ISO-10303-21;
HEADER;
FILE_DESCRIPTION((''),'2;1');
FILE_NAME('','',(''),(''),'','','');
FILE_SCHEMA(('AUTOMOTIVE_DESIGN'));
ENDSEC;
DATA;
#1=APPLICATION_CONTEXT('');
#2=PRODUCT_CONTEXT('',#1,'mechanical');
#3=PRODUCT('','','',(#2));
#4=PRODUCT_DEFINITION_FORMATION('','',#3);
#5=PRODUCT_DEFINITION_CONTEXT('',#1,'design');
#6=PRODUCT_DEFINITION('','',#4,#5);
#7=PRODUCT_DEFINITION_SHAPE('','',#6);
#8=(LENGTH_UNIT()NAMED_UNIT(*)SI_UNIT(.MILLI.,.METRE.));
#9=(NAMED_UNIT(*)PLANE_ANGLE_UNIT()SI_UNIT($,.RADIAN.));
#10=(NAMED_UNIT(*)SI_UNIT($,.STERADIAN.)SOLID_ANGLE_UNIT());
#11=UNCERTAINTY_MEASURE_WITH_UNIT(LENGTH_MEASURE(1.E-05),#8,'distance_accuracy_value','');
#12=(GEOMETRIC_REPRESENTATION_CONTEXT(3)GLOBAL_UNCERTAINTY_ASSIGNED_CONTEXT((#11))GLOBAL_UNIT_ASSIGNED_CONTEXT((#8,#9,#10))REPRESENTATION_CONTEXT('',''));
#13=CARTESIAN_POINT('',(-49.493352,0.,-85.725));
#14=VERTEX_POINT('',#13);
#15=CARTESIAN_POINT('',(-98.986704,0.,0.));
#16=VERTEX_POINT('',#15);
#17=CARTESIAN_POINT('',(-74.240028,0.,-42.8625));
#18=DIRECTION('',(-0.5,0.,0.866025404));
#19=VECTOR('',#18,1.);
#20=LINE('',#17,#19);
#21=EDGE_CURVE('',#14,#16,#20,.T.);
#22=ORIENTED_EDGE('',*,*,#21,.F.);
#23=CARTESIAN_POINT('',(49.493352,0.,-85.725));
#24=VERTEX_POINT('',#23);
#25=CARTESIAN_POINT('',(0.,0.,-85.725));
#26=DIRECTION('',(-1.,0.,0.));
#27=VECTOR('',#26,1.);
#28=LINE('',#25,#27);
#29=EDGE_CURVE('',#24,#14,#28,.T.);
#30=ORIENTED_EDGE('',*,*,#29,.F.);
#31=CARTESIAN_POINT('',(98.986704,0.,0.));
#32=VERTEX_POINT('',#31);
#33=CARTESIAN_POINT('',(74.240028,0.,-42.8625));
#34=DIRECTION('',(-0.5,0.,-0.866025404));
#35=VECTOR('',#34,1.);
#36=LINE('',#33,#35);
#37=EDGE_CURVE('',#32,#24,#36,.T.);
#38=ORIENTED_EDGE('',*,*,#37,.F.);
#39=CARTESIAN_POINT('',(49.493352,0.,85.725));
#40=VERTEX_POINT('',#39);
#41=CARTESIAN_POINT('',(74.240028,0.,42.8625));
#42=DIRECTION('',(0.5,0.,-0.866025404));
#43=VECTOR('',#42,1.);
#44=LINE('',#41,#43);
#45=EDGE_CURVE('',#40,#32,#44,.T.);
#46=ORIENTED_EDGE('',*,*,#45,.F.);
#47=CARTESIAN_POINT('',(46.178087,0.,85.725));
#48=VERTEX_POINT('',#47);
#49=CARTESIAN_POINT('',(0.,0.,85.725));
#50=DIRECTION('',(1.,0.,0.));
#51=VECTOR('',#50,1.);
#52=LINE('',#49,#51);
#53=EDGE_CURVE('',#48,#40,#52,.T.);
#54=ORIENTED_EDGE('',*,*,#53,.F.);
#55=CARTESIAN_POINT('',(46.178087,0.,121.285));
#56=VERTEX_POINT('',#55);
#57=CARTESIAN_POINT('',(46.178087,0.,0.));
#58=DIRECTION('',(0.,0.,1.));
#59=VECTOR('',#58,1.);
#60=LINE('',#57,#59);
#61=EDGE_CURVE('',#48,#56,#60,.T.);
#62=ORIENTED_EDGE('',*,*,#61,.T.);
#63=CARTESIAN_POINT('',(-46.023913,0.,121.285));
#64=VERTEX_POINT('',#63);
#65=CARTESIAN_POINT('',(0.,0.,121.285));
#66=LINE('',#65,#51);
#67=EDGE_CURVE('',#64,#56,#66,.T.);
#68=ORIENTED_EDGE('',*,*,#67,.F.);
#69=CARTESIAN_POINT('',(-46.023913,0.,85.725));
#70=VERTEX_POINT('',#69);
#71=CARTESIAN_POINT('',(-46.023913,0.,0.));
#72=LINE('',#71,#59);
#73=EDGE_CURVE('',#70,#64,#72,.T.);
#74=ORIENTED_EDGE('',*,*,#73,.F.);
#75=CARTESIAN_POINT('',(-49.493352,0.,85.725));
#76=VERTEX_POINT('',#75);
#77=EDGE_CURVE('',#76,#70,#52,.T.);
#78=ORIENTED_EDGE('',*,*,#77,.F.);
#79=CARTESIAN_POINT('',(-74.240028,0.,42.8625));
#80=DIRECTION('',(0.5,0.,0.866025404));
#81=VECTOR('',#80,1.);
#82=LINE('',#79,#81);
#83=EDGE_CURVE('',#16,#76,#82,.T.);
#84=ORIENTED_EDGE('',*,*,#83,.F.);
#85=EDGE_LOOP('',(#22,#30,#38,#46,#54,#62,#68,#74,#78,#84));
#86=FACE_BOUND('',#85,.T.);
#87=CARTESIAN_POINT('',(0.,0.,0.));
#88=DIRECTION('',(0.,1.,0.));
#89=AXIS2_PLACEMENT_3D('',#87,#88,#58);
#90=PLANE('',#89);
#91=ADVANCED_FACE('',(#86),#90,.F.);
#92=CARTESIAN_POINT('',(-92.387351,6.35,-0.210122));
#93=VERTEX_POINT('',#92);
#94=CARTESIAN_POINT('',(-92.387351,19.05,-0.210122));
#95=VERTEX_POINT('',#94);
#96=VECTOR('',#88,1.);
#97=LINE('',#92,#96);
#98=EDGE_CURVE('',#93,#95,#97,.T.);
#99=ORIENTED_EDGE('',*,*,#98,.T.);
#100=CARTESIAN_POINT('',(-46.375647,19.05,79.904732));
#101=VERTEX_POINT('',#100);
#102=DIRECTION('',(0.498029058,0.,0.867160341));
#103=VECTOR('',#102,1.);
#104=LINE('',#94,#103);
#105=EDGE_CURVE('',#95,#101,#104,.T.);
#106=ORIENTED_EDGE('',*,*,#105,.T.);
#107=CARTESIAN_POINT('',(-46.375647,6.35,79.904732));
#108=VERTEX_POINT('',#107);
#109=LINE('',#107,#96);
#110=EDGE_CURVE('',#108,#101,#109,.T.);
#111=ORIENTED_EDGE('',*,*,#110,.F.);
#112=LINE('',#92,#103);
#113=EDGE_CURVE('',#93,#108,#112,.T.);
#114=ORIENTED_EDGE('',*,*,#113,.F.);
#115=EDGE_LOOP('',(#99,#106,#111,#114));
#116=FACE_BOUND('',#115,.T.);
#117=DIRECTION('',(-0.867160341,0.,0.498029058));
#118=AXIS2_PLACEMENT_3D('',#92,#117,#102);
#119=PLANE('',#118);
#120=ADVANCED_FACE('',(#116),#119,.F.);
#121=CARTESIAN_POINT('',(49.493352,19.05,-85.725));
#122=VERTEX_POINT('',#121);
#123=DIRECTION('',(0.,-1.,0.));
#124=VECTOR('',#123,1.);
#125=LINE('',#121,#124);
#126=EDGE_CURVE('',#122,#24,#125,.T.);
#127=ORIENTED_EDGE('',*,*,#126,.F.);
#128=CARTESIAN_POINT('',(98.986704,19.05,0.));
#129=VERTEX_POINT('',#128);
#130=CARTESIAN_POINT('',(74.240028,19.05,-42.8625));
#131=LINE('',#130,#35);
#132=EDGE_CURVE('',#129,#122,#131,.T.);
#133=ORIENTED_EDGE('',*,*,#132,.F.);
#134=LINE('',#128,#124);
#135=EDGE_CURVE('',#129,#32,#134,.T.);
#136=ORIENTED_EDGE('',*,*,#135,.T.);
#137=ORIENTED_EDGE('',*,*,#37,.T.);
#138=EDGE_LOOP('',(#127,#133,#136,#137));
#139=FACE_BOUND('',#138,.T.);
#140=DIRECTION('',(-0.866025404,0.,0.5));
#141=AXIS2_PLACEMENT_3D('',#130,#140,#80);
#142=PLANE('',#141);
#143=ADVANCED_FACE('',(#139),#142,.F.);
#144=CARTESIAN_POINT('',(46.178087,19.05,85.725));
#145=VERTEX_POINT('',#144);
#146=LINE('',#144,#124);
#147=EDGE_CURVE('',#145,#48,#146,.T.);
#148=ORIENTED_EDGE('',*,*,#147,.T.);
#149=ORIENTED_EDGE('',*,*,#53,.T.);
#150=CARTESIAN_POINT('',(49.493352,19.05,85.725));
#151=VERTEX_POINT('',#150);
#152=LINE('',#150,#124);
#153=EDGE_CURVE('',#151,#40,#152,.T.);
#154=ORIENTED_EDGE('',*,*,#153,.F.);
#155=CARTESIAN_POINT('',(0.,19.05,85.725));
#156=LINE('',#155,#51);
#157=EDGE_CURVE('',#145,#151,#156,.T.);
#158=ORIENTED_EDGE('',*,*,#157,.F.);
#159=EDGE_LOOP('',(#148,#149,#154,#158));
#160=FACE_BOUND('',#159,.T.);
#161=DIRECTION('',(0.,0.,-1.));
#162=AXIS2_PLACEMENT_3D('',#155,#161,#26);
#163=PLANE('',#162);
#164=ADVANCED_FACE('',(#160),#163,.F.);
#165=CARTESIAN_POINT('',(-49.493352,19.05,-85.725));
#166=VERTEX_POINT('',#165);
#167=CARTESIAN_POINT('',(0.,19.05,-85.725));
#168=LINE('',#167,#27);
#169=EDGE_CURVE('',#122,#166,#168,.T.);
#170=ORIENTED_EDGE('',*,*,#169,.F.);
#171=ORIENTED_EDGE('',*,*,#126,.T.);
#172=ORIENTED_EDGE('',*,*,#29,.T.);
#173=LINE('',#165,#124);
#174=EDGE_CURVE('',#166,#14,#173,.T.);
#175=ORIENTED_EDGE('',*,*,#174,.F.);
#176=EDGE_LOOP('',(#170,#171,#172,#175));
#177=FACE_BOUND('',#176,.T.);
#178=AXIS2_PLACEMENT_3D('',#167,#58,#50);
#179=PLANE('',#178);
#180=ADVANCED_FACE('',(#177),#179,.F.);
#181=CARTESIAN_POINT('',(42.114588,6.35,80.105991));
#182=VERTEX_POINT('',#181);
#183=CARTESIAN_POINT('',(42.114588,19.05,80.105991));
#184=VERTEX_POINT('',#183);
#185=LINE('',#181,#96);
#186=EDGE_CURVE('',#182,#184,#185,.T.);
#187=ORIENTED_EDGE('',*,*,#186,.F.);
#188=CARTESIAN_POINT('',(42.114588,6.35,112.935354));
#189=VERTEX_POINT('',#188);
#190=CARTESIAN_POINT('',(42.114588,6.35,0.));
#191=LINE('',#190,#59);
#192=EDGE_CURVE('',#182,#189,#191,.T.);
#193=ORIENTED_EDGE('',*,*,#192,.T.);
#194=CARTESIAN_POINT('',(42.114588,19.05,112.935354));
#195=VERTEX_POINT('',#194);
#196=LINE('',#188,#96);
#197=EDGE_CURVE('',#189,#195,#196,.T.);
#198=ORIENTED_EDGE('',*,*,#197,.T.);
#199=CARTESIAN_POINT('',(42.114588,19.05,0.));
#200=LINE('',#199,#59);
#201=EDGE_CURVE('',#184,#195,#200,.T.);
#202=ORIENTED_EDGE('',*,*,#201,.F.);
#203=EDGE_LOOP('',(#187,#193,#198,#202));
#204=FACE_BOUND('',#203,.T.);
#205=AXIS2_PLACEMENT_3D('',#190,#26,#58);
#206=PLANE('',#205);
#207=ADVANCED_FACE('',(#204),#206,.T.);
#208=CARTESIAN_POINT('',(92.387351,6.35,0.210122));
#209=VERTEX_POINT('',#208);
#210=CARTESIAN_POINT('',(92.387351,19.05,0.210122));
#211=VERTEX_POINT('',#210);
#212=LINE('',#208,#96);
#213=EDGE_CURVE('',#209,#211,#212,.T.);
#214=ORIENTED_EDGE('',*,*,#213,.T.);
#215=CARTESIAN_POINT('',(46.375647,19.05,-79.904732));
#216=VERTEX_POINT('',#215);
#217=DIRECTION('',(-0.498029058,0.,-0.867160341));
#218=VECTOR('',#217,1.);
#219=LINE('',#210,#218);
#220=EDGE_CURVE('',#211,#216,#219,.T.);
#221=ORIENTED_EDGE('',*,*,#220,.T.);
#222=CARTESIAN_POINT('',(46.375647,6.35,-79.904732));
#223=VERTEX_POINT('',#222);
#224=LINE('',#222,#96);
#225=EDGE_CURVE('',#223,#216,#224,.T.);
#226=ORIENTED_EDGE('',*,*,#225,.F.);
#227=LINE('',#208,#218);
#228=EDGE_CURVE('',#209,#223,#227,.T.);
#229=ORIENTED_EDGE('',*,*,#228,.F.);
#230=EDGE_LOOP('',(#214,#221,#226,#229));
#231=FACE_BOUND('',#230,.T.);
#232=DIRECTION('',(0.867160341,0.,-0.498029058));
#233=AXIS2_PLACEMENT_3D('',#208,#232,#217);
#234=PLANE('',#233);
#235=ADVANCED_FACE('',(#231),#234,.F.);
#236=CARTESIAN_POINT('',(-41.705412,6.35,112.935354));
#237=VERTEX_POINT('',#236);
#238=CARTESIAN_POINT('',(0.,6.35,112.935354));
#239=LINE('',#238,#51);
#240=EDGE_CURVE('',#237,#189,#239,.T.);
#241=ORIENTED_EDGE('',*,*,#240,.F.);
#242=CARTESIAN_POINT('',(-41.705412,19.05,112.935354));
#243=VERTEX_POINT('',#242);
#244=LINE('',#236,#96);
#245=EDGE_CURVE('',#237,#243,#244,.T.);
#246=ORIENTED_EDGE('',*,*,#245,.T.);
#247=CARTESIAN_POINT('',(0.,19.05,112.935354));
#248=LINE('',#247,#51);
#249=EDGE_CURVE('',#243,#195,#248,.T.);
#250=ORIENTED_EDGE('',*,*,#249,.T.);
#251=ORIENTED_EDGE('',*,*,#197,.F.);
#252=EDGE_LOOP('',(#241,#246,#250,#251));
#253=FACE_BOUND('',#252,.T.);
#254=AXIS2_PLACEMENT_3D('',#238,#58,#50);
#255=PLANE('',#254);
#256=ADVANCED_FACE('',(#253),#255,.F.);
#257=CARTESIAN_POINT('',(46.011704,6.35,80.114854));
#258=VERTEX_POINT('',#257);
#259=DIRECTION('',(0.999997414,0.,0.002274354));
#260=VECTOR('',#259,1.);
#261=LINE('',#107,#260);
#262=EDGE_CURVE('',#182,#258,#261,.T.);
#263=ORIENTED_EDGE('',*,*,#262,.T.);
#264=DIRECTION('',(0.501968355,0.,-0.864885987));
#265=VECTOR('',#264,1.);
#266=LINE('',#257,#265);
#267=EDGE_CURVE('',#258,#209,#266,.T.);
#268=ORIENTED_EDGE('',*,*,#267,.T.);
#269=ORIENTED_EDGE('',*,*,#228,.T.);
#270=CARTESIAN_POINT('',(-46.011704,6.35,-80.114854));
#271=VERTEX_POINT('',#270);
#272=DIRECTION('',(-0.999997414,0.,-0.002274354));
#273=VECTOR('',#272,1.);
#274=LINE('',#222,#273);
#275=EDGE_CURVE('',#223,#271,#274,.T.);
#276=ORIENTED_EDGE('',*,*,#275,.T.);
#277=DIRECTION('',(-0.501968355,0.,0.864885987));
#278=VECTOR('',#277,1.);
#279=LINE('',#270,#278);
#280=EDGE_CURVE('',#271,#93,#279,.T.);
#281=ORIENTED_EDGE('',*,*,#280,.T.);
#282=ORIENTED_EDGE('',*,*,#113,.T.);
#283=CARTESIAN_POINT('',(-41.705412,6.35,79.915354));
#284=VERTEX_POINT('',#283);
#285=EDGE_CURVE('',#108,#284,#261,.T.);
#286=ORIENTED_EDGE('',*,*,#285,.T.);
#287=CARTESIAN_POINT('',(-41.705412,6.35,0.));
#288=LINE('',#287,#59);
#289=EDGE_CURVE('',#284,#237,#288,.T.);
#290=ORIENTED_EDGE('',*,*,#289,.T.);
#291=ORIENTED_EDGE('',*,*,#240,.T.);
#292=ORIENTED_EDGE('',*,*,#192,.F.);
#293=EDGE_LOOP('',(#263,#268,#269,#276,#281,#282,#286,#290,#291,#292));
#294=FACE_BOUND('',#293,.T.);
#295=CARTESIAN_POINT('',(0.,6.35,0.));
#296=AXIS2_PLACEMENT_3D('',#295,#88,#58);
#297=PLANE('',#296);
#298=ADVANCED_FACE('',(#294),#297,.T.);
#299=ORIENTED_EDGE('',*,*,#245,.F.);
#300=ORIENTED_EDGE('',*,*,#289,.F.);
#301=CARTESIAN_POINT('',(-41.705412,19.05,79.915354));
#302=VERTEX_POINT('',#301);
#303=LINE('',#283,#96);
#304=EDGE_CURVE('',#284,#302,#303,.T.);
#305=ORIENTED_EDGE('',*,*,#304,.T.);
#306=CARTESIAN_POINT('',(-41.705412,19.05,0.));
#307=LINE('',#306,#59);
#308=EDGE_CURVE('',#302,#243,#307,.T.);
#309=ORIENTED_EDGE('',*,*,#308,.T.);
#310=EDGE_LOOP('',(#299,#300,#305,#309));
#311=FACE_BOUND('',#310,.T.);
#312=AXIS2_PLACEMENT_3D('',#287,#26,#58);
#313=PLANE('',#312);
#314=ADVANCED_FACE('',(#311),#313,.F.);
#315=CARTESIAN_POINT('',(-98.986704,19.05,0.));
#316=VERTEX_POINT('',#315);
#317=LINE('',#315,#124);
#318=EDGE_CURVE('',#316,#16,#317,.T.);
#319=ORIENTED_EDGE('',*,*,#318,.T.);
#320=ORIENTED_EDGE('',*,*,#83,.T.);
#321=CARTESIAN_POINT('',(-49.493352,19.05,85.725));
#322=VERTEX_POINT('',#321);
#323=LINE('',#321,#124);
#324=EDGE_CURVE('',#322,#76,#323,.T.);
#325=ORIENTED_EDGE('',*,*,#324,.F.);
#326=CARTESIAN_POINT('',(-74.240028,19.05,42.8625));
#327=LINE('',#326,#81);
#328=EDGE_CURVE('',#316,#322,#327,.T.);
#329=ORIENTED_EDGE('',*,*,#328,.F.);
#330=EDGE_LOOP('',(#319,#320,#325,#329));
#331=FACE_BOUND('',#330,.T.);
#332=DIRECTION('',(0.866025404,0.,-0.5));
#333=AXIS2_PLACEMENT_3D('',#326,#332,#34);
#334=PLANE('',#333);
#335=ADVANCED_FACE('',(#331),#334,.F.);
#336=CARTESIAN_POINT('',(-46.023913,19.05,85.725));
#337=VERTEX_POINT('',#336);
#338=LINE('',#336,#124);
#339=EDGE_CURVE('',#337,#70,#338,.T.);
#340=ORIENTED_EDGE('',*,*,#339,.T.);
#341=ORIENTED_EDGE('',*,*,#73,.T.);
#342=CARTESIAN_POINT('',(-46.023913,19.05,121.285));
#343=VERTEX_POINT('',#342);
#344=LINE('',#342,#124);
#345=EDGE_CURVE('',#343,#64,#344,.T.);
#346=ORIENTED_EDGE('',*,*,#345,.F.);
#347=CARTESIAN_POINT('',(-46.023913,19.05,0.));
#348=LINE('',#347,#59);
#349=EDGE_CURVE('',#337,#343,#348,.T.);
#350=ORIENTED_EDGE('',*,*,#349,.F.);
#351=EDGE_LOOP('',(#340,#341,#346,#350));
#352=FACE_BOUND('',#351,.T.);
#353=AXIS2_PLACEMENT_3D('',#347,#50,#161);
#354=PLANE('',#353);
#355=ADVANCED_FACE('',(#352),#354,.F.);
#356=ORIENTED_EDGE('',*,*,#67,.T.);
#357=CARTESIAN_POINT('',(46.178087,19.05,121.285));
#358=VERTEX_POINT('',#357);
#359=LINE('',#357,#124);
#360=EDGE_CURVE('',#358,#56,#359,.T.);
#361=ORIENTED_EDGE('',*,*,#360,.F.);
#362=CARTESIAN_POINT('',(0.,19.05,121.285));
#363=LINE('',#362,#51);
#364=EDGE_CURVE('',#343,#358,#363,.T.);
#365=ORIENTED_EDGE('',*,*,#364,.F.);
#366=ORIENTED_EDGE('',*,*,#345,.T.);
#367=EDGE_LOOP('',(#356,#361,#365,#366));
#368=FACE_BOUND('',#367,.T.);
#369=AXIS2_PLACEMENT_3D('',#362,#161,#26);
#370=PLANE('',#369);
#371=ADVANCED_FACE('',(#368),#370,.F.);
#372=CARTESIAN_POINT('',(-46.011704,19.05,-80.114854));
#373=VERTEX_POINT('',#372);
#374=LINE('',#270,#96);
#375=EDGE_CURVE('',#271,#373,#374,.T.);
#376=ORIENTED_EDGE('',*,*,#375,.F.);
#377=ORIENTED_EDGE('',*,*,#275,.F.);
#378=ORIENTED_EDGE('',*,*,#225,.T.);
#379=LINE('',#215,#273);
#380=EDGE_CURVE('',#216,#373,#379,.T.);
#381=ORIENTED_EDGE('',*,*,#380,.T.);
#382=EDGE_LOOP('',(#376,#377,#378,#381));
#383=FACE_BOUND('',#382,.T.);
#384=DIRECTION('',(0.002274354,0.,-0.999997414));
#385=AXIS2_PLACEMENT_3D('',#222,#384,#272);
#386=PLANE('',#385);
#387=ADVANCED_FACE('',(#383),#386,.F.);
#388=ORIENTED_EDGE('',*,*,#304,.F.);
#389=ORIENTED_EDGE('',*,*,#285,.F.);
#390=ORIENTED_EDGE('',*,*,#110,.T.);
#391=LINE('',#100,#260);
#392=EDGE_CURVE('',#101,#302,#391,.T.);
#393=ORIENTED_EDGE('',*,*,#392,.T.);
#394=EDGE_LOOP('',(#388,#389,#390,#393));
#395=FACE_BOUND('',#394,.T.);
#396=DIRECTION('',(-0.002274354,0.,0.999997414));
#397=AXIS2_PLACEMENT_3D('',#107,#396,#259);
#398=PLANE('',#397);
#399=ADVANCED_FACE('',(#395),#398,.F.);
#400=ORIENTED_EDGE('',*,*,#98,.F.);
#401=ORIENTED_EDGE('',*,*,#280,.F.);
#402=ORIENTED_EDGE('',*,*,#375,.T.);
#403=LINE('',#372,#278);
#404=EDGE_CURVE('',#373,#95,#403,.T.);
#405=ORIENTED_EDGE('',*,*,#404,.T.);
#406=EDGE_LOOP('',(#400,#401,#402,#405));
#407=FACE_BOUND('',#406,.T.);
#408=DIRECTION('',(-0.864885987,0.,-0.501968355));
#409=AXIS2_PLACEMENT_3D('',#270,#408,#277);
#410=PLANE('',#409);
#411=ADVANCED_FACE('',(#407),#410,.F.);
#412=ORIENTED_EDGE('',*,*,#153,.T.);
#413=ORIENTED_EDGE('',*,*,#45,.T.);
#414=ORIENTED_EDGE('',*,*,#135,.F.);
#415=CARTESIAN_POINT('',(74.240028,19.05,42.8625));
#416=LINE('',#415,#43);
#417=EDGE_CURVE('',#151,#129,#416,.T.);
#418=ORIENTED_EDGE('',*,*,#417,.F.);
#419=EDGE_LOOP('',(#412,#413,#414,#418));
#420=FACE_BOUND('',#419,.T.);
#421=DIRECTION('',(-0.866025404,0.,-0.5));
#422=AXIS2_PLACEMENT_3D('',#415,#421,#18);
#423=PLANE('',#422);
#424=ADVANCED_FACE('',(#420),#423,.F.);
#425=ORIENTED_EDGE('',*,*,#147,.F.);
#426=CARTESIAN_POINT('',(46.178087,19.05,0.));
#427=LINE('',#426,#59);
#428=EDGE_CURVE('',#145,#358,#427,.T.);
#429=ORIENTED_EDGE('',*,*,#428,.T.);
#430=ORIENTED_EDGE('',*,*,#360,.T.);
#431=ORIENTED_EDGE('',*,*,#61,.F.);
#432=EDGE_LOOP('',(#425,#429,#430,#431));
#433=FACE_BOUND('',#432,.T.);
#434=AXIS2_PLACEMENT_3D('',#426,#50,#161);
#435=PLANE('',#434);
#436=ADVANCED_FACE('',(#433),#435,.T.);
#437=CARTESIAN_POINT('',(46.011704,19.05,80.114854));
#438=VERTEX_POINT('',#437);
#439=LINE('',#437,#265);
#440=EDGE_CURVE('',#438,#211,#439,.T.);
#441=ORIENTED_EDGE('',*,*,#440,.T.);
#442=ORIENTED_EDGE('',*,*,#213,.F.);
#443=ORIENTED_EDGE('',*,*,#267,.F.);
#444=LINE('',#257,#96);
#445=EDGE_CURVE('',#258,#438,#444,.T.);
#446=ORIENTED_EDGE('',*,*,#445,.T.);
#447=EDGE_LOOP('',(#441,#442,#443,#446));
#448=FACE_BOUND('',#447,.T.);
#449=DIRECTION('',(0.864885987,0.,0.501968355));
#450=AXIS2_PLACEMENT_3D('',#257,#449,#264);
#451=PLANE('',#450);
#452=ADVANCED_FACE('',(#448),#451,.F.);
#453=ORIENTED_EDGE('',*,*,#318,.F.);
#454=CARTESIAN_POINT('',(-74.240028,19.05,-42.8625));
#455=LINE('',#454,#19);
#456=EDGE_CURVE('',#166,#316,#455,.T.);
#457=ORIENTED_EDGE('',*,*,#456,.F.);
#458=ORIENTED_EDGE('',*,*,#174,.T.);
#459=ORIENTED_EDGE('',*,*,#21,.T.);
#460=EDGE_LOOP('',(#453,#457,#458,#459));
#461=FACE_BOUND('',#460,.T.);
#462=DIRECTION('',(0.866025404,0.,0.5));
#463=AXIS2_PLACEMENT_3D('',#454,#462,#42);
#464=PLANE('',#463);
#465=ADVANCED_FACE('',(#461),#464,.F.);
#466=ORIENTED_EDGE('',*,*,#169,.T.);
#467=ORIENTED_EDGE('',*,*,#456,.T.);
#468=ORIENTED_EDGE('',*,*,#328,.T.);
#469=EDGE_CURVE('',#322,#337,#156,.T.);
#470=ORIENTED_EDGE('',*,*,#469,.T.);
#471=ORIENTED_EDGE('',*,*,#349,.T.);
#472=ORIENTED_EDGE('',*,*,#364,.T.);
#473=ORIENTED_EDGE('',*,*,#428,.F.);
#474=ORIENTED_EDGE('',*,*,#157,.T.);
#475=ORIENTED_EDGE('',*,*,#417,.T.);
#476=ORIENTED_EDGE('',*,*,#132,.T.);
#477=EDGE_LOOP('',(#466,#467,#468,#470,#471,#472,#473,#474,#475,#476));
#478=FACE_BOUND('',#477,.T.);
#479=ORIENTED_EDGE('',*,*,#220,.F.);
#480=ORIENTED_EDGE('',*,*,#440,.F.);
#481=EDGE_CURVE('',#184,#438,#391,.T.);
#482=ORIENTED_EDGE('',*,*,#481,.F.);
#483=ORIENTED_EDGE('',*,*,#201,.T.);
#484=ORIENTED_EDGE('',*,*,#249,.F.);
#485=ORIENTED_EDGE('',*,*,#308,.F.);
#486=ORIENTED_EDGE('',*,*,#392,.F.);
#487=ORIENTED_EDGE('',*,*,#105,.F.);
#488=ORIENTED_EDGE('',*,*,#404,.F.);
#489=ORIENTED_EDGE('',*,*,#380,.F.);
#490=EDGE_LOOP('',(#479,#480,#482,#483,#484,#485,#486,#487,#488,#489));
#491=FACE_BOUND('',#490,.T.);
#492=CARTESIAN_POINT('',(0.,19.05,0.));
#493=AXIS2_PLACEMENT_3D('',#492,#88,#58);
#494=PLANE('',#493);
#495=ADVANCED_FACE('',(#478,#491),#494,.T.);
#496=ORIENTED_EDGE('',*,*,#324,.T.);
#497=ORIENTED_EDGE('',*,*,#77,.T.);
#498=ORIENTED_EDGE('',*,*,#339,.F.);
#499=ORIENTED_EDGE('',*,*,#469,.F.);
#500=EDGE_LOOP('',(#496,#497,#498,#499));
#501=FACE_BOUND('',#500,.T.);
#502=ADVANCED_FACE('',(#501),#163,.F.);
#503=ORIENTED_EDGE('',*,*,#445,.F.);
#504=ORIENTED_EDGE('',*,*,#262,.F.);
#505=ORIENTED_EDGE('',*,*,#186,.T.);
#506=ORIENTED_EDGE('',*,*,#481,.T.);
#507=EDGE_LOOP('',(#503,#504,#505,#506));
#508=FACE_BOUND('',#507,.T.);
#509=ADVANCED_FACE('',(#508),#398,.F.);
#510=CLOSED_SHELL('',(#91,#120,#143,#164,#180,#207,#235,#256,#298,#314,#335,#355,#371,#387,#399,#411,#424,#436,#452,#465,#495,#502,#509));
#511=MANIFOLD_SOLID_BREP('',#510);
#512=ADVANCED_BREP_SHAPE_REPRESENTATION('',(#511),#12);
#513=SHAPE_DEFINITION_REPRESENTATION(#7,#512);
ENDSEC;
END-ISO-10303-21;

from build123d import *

# Parameters (mm, degrees)
SKETCH1_W           = 92.202
SKETCH1_H           = 35.56
BOSS_EXTRUDE3_DEPTH = 19.05
SKETCH4_W           = 83.82
SKETCH4_H           = 33.02
CUT_EXTRUDE1_DEPTH  = 12.7


with BuildPart() as part:
    # Sketch1 → Boss-Extrude3 (new body)
    with BuildSketch(Plane(origin=(0, 0, 0), x_dir=(1, 0, 0), z_dir=(0, 1, 0))):
        Polygon((-49.493351826, -85.725), (49.493351826, -85.725), (98.986703653, 0), (49.493351826, 85.725), (-49.493351826, 85.725), (-98.986703653, 0), align=None)
        with Locations((0.077086569, -103.505)):
            Rectangle(SKETCH1_W, SKETCH1_H)
    extrude(amount=BOSS_EXTRUDE3_DEPTH)

    # Sketch4 → Cut-Extrude1 (cut)
    with BuildSketch(Plane(origin=(0, 19.05, 0), x_dir=(1, 0, 0), z_dir=(0, 1, 0))):
        Polygon((46.011704472, -80.114854126), (92.387351129, -0.210122118), (46.375646657, 79.904732007), (-46.011704472, 80.114854126), (-92.387351129, 0.210122118), (-46.375646657, -79.904732007), align=None)
        with Locations((0.204587762, -96.425353803)):
            Rectangle(SKETCH4_W, SKETCH4_H)
    extrude(amount=-CUT_EXTRUDE1_DEPTH, mode=Mode.SUBTRACT)


solid = part.part
